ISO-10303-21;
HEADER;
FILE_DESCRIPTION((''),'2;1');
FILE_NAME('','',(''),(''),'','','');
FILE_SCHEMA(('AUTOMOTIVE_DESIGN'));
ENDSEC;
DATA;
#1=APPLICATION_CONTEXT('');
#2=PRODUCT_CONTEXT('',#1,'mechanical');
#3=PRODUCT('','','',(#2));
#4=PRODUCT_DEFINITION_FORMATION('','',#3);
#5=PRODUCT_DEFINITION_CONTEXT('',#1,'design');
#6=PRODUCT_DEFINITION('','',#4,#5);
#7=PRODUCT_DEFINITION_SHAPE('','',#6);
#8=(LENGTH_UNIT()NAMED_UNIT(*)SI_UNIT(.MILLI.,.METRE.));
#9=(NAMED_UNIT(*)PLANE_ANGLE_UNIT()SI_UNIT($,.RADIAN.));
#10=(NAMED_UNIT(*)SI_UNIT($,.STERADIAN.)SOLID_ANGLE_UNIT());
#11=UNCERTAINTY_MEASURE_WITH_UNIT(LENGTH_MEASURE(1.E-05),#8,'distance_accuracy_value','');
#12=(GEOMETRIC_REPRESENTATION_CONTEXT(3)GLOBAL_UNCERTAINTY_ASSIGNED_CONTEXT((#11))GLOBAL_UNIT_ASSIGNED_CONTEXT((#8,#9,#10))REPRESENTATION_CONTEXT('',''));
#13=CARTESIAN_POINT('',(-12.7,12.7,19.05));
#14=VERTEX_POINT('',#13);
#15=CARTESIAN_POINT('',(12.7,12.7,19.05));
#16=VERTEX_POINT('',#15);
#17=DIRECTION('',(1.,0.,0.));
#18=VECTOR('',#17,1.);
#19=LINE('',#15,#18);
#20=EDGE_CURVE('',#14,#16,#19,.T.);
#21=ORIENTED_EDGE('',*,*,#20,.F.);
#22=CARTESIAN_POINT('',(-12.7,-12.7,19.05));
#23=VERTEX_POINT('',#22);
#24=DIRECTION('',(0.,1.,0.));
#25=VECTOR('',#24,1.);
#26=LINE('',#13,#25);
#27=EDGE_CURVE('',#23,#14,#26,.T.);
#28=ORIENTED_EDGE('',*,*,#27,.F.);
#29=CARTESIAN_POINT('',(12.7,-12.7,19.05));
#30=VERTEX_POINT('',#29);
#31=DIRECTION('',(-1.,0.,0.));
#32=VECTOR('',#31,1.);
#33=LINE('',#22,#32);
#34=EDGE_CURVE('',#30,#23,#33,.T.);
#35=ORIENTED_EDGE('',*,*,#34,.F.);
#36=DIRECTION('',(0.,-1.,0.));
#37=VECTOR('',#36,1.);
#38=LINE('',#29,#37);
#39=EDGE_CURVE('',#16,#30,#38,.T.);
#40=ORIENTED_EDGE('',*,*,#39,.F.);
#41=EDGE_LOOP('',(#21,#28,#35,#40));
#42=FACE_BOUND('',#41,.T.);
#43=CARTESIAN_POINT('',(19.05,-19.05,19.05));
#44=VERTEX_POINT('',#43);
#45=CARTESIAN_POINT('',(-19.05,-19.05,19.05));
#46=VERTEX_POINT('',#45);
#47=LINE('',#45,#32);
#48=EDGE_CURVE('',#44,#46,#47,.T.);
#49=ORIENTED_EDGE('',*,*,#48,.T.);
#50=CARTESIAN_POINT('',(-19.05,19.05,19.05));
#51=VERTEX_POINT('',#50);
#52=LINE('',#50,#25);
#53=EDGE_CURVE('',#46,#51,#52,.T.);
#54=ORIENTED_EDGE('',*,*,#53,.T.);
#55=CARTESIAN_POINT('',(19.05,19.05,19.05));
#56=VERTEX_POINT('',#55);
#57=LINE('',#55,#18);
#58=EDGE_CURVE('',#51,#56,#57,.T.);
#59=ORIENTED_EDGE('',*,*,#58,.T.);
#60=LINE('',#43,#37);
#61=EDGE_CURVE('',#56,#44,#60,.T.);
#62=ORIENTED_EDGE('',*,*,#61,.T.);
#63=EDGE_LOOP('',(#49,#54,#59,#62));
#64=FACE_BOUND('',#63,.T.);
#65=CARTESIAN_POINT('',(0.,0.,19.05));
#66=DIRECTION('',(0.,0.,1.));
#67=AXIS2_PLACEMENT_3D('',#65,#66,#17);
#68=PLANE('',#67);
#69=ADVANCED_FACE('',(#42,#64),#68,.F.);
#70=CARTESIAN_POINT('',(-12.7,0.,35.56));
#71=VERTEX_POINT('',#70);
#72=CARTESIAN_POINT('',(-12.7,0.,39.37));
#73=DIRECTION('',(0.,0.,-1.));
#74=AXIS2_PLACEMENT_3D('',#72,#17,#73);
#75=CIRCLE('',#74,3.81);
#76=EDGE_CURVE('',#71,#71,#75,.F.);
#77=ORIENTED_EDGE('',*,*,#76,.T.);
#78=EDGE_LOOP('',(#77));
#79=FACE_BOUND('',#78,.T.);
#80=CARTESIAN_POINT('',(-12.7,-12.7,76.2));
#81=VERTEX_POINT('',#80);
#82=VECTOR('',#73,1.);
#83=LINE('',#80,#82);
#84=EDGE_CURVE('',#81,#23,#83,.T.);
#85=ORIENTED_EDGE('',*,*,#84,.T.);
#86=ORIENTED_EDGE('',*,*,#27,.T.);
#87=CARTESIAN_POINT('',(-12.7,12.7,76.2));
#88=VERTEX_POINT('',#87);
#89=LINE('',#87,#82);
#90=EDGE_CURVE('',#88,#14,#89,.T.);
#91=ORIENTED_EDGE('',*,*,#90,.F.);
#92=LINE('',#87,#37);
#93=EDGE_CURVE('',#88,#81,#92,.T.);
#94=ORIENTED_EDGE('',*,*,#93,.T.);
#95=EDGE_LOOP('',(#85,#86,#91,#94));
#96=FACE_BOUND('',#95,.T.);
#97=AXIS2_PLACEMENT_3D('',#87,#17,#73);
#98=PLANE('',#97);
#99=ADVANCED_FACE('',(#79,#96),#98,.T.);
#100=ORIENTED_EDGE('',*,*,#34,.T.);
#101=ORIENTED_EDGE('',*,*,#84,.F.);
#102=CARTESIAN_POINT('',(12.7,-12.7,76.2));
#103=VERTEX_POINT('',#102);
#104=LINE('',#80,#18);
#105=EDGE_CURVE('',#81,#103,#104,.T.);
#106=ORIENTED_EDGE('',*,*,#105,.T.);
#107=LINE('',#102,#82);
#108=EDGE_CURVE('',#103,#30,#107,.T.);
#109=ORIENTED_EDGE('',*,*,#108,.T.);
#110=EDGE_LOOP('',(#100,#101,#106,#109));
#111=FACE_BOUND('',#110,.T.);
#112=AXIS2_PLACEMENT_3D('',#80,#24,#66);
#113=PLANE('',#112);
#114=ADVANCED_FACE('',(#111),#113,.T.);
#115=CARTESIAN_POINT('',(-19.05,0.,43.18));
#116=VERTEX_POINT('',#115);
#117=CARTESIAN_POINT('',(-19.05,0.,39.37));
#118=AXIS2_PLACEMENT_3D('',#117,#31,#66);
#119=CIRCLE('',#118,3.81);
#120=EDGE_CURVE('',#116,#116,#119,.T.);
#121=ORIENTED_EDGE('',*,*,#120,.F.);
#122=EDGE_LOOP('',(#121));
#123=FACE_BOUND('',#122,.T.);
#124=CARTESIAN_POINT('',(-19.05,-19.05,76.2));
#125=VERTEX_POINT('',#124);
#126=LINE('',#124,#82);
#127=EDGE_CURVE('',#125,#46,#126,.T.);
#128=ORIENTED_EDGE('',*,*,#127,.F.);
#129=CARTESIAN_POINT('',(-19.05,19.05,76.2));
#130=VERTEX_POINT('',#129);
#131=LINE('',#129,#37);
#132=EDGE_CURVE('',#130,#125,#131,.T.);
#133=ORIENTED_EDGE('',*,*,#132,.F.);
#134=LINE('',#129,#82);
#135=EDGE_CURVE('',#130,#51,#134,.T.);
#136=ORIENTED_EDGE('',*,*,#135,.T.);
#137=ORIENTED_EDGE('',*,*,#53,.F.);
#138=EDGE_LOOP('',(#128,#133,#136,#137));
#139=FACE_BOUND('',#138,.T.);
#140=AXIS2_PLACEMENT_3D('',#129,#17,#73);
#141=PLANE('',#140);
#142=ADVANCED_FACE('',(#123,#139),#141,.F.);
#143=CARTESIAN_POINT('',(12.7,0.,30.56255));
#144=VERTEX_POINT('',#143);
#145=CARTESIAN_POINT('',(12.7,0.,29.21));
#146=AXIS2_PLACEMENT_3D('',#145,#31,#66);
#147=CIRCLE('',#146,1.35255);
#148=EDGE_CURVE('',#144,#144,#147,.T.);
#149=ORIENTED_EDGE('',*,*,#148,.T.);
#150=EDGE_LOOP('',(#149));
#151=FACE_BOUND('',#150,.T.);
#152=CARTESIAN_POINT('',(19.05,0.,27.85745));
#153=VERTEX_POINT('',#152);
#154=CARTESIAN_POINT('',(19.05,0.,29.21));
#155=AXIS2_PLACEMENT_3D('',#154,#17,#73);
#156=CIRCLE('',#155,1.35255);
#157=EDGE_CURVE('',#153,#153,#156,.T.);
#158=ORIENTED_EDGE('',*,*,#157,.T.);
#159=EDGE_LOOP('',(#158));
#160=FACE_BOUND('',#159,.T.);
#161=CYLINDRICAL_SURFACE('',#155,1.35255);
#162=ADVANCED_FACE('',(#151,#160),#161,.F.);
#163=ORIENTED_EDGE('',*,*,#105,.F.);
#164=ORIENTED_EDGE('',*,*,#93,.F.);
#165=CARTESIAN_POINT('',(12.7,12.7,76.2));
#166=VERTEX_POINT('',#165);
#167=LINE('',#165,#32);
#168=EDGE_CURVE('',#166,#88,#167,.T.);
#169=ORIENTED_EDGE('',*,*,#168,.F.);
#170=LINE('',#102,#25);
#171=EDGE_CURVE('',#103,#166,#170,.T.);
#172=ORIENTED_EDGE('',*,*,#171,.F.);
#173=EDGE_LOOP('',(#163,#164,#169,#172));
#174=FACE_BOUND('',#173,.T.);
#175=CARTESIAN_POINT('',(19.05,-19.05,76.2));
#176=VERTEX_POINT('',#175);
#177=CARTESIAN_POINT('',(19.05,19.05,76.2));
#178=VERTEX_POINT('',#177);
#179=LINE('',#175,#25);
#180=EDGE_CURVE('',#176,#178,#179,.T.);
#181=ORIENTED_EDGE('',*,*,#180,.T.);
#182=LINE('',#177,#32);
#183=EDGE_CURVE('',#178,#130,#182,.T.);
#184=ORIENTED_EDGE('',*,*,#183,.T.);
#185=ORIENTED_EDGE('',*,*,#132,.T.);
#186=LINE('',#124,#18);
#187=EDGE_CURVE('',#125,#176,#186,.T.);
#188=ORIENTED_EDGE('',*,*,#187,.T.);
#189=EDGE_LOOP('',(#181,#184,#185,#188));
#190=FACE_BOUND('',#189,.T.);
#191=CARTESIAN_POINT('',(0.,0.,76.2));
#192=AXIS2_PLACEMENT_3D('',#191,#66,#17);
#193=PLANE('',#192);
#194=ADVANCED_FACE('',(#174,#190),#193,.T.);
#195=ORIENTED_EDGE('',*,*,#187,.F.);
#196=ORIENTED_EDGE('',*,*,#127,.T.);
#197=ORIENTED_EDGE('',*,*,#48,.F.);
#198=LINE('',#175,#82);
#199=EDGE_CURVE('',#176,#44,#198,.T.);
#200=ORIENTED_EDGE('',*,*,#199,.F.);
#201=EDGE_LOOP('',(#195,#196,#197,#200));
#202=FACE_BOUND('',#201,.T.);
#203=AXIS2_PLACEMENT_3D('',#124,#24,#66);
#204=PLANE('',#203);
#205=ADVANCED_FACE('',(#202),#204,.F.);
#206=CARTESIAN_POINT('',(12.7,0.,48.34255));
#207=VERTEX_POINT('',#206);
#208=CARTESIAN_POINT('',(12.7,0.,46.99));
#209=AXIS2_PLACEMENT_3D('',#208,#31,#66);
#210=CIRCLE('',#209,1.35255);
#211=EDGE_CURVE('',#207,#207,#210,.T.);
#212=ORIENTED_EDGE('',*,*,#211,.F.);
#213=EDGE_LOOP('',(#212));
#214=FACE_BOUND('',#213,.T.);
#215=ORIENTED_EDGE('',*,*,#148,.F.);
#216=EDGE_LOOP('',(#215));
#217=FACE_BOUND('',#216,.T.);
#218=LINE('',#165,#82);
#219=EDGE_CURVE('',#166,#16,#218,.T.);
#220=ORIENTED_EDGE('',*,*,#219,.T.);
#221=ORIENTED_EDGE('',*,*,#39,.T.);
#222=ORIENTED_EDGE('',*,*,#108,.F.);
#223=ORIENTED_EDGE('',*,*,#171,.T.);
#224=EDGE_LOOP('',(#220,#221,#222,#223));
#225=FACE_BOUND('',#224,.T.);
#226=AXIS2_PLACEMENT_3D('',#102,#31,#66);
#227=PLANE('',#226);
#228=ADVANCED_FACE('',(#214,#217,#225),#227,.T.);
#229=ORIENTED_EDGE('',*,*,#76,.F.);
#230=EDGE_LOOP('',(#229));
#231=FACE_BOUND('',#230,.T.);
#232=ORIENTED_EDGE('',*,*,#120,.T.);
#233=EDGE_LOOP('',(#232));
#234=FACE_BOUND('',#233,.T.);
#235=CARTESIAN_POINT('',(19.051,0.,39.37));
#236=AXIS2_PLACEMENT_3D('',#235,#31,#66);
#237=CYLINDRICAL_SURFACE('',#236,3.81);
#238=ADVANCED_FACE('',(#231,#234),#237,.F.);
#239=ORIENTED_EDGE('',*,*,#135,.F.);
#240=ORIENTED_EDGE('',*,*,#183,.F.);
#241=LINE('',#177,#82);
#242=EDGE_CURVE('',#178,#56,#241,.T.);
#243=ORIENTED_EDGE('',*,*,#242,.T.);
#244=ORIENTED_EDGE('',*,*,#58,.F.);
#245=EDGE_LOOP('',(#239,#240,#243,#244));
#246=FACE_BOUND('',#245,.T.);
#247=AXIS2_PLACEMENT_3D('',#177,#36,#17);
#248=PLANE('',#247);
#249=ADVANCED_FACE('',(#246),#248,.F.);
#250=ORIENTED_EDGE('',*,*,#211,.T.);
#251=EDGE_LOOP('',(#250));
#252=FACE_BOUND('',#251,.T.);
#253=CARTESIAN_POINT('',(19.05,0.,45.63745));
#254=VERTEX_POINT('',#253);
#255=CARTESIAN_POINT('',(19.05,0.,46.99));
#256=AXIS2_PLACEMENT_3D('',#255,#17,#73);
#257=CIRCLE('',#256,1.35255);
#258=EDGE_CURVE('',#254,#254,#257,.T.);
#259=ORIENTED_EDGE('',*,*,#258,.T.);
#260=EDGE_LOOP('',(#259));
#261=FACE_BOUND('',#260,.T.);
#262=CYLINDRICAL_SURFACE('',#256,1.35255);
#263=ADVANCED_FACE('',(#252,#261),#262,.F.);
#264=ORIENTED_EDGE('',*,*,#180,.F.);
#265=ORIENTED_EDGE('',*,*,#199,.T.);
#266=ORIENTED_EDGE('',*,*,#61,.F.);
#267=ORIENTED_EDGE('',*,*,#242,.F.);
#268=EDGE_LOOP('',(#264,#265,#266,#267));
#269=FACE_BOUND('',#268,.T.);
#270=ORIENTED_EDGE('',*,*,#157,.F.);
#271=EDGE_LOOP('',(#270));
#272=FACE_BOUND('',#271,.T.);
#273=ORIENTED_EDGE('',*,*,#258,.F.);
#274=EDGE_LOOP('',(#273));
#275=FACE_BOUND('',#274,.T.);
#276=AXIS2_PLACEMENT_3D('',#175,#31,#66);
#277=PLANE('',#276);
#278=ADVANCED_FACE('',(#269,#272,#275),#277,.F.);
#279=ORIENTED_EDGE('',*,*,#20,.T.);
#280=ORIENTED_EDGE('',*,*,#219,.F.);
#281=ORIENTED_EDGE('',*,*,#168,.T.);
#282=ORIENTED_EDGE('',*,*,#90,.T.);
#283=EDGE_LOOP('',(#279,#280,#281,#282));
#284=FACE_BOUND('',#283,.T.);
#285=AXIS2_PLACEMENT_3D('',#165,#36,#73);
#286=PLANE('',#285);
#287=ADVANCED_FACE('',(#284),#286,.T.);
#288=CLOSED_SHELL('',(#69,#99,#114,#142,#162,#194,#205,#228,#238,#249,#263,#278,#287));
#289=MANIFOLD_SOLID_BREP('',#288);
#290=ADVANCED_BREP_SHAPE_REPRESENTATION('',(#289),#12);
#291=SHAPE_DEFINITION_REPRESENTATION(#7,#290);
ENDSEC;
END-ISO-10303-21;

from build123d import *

# Parameters (mm, degrees)
BOSS_EXTRUDE1_DEPTH       = 76.2
BOSS_EXTRUDE1_DEPTH_BACK  = 76.2
SKETCH3_W                 = 38.1
SKETCH3_H                 = 38.1
SKETCH3_W_2               = 25.4
SKETCH3_H_2               = 25.4
SKETCH4_W                 = 38.1
SKETCH4_H                 = 38.1
SKETCH4_W_2               = 25.4
SKETCH4_H_2               = 25.4
CUT_EXTRUDE1_DEPTH        = 95.25
CUT_EXTRUDE4_REACH        = 89.298
SKETCH7_R                 = 3.81
F_6_32_TAPPED_HOLE1_D     = 2.7051
F_6_32_TAPPED_HOLE1_DEPTH = 6.35


with BuildPart() as part:
    # Sketch3 → Boss-Extrude1 (new, two sides: drawn at the far end of the back side and taken through both)
    with BuildSketch(Plane.XY.offset(-BOSS_EXTRUDE1_DEPTH_BACK)):
        Rectangle(SKETCH3_W, SKETCH3_H)
        Rectangle(SKETCH3_W_2, SKETCH3_H_2, mode=Mode.SUBTRACT)
    extrude(amount=BOSS_EXTRUDE1_DEPTH + BOSS_EXTRUDE1_DEPTH_BACK)

    # Sketch4 → Cut-Extrude1 (cut)
    with BuildSketch(Plane(origin=(0, 0, -76.2), x_dir=(-1, 0, 0), z_dir=(0, 0, -1))):
        Rectangle(SKETCH4_W, SKETCH4_H)
        Rectangle(SKETCH4_W_2, SKETCH4_H_2, mode=Mode.SUBTRACT)
    extrude(amount=-CUT_EXTRUDE1_DEPTH, mode=Mode.SUBTRACT)

    # Sketch7 → Cut-Extrude4 (cut, up to next)
    with BuildSketch(Plane(origin=(-19.05, 0, 0), x_dir=(0, -1, 0), z_dir=(-1, 0, 0)), mode=Mode.PRIVATE) as cut_extrude4_sk1:
        with Locations(Location((0, 39.37, 0), (0, 0, 90))):
            Circle(SKETCH7_R)
    cut_extrude4_tool1 = extrude(cut_extrude4_sk1.sketch, amount=-CUT_EXTRUDE4_REACH, mode=Mode.PRIVATE) & part.part
    add(cut_extrude4_tool1.solids().sort_by_distance((-19.05, 0, 39.37))[0], mode=Mode.SUBTRACT)

    # #6-32 Tapped Hole1
    with Locations(Plane(origin=(19.05, 0, 0), x_dir=(0, 0, -1), z_dir=(1, 0, 0))):
        with Locations((-29.21, 0), (-46.99, 0)):
            Hole(F_6_32_TAPPED_HOLE1_D / 2, depth=F_6_32_TAPPED_HOLE1_DEPTH)


solid = part.part
